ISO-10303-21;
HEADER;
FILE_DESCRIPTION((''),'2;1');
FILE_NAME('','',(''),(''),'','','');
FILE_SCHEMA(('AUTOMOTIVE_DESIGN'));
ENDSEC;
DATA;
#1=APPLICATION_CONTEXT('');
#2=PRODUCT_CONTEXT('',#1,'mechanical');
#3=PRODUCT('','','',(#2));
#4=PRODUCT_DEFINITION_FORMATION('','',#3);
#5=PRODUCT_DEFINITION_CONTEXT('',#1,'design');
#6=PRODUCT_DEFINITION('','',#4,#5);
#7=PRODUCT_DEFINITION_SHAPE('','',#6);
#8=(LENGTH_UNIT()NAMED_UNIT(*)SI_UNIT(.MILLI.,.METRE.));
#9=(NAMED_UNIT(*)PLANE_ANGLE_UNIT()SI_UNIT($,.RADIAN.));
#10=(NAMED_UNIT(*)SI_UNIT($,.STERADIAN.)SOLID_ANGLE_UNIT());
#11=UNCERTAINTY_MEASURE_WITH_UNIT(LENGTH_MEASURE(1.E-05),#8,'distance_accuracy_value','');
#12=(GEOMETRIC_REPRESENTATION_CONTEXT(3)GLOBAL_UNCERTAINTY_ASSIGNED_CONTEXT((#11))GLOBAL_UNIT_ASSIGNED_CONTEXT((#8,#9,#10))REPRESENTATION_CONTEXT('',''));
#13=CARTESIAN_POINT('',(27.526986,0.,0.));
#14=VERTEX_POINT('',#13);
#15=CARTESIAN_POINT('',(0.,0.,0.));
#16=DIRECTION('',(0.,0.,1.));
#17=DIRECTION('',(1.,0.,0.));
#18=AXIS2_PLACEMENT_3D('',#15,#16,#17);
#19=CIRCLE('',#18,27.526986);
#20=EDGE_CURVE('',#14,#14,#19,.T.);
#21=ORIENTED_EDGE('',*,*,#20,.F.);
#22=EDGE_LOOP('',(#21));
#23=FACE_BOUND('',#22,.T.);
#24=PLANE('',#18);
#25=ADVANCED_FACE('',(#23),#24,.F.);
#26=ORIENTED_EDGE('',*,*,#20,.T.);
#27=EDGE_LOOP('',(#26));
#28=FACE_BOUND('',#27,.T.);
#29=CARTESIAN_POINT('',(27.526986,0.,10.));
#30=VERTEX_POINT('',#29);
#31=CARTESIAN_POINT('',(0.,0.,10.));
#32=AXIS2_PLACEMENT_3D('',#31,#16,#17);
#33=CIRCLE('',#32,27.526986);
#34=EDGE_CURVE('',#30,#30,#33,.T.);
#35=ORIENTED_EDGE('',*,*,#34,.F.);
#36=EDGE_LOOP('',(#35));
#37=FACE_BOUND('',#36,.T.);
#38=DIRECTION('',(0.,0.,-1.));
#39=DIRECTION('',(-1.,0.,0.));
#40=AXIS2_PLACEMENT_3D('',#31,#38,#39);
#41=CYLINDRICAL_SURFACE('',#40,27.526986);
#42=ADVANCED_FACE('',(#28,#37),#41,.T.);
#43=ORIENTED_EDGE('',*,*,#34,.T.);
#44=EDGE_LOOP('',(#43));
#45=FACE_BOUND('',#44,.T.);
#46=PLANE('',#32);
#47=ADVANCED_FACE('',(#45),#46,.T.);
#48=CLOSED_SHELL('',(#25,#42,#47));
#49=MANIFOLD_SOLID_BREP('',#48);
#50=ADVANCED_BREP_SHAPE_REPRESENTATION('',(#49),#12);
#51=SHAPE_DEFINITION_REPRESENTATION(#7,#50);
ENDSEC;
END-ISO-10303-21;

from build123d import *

# Parameters (mm, degrees)
SKETCH_1_R      = 27.526986335
EXTRUDE_1_DEPTH = 10


with BuildPart() as part:
    # 草图1 → 凸台-拉伸1 (new body)
    with BuildSketch(Plane.XY):
        Circle(SKETCH_1_R)
    extrude(amount=EXTRUDE_1_DEPTH)


solid = part.part
